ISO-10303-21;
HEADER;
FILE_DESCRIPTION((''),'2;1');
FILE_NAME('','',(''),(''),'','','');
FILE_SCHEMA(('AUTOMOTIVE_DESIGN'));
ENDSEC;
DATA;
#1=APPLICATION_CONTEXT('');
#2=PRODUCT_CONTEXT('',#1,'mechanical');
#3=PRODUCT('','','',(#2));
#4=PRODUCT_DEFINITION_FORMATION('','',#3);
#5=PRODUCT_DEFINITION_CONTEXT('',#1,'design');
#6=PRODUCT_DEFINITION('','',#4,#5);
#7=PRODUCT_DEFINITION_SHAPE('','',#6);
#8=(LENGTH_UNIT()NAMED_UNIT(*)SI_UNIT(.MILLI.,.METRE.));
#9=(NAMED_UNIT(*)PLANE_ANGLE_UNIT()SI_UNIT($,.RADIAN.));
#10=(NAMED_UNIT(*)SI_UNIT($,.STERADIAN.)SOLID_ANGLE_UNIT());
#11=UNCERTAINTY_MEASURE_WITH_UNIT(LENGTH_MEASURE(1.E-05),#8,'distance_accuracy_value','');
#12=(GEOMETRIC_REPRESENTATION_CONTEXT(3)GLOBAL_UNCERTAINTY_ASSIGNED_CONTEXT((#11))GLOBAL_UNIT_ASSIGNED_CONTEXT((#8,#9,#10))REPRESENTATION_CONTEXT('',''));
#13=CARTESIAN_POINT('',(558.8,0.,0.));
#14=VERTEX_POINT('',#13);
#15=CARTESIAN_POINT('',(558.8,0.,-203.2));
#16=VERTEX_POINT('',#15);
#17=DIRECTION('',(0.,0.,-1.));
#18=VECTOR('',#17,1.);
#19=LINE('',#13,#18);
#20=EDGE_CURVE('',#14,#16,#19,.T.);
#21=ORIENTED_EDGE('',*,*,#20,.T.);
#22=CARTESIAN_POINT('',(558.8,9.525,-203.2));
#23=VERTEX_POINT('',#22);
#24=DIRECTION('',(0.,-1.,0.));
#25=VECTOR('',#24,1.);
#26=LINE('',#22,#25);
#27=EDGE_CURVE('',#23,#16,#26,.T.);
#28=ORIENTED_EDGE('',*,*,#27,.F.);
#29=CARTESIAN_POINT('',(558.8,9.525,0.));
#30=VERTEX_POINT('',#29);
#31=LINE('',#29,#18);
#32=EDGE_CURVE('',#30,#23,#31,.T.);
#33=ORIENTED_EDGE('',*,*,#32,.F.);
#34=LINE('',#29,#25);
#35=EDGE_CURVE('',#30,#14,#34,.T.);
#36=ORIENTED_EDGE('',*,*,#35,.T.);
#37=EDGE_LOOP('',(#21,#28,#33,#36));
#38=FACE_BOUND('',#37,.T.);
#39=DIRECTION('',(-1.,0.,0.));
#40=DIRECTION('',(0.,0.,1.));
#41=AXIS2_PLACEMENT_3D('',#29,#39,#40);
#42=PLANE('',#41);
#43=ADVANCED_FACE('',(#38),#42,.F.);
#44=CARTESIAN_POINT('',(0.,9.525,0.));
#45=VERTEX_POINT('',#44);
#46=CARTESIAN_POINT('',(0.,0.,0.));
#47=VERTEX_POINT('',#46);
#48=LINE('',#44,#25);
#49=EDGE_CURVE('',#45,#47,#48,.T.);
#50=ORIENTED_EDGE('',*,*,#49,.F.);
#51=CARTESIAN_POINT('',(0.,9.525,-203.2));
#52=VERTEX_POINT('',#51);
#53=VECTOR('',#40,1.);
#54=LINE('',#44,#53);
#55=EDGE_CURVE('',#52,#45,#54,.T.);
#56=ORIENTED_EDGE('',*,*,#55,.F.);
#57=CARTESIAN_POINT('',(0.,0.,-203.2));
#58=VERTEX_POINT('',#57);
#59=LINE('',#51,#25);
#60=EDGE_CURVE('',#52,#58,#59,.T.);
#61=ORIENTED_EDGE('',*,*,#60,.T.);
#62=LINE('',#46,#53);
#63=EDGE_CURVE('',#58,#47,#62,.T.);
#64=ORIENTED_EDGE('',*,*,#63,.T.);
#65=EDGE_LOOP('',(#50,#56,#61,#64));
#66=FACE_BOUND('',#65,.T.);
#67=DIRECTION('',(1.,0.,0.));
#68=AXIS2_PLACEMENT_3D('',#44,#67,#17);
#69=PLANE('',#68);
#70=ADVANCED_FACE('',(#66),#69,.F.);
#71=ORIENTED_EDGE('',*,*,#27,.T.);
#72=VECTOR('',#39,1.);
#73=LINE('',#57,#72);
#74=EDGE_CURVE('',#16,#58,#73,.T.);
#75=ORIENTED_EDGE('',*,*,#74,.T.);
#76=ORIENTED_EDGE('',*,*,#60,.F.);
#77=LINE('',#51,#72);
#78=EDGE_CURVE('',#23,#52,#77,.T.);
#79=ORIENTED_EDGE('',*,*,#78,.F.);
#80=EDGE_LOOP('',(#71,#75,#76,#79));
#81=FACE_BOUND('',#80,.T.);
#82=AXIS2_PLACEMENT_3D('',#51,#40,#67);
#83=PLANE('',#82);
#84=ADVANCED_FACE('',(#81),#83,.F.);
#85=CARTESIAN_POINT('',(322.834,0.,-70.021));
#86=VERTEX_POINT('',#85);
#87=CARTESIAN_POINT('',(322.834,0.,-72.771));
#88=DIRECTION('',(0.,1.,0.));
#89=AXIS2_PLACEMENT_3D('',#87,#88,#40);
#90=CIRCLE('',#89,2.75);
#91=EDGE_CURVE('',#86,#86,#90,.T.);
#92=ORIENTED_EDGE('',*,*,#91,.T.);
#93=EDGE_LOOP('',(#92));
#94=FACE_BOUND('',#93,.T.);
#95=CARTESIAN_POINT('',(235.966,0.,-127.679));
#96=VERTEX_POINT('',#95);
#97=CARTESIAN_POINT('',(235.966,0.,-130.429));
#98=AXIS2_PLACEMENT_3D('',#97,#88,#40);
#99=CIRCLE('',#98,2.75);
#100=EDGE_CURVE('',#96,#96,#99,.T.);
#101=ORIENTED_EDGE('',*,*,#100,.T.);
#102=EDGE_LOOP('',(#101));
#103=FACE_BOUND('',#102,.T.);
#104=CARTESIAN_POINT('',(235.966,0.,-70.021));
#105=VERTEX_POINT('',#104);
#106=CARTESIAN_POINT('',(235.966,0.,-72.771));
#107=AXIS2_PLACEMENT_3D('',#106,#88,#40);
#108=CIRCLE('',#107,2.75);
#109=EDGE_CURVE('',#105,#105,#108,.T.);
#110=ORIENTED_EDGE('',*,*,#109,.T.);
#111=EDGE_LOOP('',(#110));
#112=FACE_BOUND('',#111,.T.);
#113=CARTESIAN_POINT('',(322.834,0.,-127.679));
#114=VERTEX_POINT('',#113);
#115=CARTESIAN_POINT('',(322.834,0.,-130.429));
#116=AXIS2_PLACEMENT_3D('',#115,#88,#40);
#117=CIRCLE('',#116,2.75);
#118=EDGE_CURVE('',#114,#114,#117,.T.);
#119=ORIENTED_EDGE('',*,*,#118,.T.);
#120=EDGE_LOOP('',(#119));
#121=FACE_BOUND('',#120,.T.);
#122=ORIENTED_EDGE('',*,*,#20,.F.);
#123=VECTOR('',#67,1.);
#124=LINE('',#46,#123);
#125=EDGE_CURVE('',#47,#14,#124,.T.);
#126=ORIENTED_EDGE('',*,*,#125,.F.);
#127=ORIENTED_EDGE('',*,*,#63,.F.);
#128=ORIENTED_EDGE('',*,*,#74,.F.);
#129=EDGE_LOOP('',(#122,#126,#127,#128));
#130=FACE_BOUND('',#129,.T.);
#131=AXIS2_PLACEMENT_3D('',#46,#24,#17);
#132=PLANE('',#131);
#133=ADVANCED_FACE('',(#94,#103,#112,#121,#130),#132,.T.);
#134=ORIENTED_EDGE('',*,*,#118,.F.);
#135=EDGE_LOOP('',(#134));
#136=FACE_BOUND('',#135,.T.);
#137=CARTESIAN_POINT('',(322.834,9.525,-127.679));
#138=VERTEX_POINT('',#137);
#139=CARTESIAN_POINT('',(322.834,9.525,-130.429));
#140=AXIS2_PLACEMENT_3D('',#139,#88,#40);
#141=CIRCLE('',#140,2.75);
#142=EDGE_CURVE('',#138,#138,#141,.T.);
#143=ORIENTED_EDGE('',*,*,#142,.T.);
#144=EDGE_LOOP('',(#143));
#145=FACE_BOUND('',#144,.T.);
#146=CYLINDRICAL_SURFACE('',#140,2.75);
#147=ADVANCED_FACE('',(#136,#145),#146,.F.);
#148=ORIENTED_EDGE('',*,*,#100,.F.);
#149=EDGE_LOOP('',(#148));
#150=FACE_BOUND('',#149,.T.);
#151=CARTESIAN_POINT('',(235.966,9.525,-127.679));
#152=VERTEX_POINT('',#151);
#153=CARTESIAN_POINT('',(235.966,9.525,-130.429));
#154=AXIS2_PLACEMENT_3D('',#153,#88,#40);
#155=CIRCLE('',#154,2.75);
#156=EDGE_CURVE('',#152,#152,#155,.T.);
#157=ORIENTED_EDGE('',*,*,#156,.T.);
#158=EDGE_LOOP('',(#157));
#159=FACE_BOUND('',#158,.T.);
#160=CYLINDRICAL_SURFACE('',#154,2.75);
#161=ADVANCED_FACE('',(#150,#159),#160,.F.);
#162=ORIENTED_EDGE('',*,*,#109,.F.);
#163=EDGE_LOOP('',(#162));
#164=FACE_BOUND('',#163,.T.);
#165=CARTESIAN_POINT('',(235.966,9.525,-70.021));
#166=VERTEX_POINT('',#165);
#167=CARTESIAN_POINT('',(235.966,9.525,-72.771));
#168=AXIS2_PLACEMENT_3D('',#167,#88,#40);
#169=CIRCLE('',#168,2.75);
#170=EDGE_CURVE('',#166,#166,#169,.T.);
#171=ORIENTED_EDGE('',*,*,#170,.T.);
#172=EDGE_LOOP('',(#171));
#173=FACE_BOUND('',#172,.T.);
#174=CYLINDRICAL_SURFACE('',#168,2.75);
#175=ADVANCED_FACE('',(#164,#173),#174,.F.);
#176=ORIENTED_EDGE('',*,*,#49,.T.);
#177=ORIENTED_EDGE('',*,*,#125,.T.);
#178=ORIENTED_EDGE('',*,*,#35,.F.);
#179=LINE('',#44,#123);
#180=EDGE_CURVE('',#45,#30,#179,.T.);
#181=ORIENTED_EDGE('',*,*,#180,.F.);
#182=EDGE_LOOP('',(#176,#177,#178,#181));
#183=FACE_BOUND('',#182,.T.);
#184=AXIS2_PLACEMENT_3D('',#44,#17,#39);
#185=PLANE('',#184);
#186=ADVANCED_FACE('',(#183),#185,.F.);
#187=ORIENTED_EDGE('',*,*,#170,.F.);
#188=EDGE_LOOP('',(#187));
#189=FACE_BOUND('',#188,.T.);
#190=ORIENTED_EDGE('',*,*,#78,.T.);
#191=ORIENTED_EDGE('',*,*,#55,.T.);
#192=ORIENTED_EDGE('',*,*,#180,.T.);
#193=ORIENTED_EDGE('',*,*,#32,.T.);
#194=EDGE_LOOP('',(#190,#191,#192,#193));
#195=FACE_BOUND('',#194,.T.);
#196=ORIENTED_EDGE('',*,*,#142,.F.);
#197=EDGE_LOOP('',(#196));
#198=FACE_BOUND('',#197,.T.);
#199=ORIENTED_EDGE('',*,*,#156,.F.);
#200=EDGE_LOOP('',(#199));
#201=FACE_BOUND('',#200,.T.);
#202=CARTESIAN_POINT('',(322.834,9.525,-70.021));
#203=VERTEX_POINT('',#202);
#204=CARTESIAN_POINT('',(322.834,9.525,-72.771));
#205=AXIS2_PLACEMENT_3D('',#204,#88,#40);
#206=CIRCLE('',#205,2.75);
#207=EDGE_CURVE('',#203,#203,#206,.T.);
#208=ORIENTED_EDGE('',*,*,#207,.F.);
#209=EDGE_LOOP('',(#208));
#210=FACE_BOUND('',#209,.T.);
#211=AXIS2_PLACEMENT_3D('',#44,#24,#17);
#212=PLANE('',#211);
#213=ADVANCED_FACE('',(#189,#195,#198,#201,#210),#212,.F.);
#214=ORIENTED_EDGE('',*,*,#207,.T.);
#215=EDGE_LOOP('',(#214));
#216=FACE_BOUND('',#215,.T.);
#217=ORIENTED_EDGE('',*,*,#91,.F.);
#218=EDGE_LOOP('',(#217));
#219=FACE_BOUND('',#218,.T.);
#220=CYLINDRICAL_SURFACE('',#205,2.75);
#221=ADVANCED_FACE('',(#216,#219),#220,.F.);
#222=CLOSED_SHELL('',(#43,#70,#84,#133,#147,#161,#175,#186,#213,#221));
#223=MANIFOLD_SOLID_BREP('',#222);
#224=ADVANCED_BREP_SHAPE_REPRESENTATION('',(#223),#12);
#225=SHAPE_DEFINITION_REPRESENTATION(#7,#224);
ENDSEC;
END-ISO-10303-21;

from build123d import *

# Parameters (mm, degrees)
SKETCH1_W                  = 558.8
SKETCH1_H                  = 203.2
TABLE_BLANK_DEPTH          = 9.525
TABLE_HOLES_M5_CLEARANCE_D = 5.5


with BuildPart() as part:
    # Sketch1 → Table Blank (new body)
    with BuildSketch(Plane(origin=(0, 0, 0), x_dir=(1, 0, 0), z_dir=(0, 1, 0))):
        with Locations((279.4, 101.6)):
            Rectangle(SKETCH1_W, SKETCH1_H)
    extrude(amount=TABLE_BLANK_DEPTH)

    # Table Holes (M5 Clearance) (through all)
    with Locations(Plane(origin=(0, 9.525, 0), x_dir=(1, 0, 0), z_dir=(0, 1, 0))):
        with Locations((235.966, 130.429), (322.834, 130.429), (322.834, 72.771), (235.966, 72.771)):
            Hole(TABLE_HOLES_M5_CLEARANCE_D / 2)


solid = part.part
